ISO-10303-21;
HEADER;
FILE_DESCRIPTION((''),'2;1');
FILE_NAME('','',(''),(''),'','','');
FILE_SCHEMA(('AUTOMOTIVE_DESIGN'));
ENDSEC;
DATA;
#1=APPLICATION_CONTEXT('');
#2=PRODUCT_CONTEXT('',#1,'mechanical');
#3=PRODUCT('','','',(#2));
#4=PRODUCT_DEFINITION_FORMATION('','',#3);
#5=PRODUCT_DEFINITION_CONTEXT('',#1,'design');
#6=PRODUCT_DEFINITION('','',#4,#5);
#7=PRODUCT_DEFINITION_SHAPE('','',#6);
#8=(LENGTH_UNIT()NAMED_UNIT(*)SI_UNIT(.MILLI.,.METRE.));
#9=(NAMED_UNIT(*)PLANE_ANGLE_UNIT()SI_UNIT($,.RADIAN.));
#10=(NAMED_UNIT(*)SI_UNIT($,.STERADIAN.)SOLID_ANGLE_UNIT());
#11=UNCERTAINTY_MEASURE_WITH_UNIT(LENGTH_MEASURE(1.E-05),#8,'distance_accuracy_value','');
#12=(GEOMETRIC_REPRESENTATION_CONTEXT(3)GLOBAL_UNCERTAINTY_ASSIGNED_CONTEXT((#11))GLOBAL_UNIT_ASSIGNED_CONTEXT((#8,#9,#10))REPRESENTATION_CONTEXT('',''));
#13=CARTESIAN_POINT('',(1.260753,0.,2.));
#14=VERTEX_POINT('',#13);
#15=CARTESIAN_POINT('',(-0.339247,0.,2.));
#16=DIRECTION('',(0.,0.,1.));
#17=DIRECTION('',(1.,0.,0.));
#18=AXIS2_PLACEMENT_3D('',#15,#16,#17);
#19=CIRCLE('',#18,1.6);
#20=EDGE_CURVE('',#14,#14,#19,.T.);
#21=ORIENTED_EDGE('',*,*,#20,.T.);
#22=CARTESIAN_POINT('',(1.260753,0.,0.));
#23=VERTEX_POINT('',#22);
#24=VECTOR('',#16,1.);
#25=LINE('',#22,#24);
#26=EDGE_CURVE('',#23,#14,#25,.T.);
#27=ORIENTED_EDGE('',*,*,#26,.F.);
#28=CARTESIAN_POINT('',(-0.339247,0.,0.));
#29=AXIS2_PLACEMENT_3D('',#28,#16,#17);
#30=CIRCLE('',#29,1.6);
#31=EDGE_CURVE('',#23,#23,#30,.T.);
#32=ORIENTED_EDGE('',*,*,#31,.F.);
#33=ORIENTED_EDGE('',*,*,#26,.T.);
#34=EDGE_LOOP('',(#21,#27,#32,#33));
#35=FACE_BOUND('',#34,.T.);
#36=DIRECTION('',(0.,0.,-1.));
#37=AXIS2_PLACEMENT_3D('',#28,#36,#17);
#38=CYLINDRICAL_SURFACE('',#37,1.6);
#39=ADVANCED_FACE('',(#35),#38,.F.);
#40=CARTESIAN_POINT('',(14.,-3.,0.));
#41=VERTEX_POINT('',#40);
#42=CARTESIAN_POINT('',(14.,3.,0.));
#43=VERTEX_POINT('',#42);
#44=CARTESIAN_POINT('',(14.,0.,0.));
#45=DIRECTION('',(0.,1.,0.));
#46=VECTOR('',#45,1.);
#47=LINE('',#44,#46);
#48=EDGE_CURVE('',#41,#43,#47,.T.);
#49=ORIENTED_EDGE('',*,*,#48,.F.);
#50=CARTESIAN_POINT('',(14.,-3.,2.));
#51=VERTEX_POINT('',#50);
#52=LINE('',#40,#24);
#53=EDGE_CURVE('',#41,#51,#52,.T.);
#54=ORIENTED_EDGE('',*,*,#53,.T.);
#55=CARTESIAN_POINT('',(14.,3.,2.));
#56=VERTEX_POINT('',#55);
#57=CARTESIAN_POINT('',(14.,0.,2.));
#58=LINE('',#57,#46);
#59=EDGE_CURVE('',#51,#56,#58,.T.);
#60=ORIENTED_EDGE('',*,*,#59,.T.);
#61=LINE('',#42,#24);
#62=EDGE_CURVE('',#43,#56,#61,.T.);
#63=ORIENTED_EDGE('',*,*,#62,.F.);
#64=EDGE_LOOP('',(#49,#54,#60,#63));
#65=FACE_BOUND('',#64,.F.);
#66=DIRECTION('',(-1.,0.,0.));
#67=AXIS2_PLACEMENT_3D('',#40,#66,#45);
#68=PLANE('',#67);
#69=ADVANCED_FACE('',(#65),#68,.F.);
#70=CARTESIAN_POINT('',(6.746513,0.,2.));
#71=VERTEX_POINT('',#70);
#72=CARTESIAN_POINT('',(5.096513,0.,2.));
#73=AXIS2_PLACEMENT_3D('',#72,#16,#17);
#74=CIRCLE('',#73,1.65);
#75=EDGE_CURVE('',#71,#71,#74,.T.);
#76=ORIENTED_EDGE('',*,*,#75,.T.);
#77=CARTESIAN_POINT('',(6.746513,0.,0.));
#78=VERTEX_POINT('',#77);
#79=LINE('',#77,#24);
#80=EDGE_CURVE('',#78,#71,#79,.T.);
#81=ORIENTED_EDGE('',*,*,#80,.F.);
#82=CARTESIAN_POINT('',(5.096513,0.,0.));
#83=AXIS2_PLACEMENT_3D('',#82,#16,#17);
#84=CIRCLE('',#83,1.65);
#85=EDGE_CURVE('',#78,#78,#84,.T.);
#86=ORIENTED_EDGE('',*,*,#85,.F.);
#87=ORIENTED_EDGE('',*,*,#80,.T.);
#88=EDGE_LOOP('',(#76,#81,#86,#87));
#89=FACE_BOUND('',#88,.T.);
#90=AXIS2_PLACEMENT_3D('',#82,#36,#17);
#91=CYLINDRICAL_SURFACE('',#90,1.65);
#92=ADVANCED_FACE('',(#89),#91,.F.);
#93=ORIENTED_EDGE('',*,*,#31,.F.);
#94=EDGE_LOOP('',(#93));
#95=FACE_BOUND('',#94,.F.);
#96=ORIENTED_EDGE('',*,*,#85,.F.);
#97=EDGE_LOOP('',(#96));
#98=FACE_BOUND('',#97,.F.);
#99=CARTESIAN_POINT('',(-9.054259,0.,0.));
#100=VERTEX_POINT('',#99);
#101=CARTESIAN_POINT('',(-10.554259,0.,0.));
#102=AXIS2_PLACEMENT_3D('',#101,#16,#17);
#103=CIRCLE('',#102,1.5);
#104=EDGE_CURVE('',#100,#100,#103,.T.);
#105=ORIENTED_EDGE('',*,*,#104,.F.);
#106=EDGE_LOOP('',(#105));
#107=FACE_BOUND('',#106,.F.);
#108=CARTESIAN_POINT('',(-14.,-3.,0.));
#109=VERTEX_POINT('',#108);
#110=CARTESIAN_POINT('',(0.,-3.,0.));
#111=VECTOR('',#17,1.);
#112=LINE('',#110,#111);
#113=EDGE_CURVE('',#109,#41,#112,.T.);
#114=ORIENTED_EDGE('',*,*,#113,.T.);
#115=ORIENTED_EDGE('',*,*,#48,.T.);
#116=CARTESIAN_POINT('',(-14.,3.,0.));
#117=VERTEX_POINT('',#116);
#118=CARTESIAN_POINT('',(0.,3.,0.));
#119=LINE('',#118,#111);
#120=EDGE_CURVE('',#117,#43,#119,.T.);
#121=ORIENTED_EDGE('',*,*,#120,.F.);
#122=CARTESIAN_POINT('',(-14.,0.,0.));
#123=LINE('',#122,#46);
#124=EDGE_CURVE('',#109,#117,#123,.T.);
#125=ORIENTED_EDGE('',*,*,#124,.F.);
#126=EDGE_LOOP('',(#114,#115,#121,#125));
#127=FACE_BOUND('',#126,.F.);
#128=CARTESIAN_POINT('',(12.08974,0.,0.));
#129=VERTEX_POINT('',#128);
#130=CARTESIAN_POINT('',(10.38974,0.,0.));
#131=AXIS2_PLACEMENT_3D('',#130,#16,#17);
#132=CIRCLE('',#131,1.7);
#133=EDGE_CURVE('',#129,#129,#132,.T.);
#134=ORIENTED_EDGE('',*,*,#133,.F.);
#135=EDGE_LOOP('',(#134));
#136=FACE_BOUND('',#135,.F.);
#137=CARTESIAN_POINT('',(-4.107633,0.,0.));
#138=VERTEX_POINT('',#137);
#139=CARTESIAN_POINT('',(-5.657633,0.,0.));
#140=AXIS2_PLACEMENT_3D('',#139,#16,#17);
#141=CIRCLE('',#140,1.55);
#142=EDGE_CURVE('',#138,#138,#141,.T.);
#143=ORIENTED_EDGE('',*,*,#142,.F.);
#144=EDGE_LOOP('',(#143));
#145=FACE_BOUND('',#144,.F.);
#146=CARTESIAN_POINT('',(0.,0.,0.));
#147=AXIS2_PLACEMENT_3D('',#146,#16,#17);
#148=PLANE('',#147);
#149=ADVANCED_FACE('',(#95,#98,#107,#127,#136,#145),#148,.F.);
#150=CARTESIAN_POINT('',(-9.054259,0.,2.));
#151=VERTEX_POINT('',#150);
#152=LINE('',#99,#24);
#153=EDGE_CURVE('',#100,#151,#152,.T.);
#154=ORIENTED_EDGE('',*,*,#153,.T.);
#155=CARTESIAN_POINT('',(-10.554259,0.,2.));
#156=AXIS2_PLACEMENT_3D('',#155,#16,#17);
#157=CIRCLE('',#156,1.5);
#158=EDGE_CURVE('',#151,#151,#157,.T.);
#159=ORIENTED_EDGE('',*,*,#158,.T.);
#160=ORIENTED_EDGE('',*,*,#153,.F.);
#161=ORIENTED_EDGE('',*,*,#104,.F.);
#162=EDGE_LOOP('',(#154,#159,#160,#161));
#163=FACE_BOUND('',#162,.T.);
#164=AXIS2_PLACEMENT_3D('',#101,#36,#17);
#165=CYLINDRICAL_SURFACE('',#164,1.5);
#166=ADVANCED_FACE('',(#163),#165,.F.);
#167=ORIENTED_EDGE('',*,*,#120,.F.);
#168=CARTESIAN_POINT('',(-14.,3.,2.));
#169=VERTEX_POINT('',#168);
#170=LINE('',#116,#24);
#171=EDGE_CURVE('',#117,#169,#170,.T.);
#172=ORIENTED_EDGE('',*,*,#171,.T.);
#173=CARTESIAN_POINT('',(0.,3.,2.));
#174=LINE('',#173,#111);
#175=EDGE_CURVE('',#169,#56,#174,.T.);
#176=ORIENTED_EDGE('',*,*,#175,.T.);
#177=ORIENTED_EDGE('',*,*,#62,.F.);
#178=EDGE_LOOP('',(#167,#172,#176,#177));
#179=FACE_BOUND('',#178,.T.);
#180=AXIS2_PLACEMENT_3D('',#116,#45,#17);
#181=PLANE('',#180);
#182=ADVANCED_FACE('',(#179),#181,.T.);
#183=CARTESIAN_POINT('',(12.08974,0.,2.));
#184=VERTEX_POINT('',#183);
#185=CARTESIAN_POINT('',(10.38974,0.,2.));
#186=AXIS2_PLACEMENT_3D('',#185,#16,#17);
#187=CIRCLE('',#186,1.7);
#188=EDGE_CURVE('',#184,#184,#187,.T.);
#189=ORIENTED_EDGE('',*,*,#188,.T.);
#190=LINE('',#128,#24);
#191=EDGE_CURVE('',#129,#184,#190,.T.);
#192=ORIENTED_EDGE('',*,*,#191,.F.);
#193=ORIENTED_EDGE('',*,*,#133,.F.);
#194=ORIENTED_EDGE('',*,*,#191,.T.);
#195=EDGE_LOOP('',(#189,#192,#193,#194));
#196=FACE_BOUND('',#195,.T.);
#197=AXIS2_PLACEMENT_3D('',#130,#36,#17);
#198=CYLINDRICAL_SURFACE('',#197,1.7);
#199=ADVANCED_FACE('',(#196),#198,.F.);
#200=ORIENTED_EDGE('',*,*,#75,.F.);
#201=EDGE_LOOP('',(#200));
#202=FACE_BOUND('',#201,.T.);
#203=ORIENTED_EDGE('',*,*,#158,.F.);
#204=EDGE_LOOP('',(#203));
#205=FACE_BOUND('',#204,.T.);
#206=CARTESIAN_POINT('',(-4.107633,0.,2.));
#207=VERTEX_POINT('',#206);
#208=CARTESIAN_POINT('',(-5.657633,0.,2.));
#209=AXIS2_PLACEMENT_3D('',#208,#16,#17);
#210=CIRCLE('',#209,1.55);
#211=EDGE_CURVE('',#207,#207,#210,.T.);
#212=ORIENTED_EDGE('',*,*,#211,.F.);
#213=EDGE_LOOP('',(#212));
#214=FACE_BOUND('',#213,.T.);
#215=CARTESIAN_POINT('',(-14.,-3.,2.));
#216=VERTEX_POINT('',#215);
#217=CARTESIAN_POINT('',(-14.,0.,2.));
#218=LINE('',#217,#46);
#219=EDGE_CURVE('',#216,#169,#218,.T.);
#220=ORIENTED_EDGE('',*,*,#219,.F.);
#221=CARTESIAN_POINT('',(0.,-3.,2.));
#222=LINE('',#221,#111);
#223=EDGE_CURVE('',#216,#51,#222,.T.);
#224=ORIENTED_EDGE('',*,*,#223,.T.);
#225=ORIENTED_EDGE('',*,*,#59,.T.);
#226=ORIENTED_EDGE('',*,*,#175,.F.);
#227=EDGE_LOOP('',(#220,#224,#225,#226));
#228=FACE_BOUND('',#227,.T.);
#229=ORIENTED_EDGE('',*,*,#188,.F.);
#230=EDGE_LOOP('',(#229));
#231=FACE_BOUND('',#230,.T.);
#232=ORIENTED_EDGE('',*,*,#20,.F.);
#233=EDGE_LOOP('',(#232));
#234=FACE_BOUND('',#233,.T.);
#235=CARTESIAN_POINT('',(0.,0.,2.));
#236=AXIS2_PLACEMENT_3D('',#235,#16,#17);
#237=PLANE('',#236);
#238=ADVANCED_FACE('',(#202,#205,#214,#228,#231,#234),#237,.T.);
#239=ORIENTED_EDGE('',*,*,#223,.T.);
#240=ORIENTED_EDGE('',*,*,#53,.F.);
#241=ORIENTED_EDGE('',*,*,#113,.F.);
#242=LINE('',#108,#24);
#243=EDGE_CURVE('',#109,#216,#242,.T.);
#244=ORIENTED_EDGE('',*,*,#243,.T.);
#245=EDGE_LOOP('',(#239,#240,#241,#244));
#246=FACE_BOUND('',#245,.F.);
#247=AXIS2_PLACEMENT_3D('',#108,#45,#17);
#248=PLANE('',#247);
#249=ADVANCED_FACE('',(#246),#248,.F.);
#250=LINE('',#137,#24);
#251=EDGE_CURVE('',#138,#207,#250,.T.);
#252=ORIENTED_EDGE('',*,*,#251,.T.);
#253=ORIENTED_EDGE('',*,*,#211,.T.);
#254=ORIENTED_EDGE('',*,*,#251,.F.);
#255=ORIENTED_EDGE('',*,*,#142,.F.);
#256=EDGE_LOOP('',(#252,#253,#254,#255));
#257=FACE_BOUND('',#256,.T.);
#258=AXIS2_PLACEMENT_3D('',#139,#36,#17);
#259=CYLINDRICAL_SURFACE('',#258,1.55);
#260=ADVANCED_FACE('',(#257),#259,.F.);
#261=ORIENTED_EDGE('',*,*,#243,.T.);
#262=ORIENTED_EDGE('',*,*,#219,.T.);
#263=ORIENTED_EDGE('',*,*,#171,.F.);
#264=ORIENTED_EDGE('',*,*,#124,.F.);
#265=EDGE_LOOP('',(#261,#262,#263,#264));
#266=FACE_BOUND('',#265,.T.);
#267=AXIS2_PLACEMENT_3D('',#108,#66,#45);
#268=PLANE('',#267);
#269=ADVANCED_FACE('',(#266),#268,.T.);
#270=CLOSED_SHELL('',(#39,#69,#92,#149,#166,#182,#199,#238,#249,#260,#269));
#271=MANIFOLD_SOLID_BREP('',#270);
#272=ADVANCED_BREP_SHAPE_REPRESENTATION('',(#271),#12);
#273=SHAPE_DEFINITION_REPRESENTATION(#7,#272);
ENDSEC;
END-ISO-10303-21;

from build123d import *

# Parameters (mm, degrees)
F0_W     = 28
F0_H     = 6
F0_R     = 1.5
F0_R_2   = 1.55
F0_R_3   = 1.6
F0_R_4   = 1.65
F0_R_5   = 1.7
F1_DEPTH = 2


with BuildPart() as f1:
    # F0 (on Top) → F1 (new body)
    with BuildSketch(Plane.XY):
        Rectangle(F0_W, F0_H)
        with Locations((-10.554259, 0)):
            Circle(F0_R, mode=Mode.SUBTRACT)
        with Locations((-5.657633, 0)):
            Circle(F0_R_2, mode=Mode.SUBTRACT)
        with Locations((-0.339247, 0)):
            Circle(F0_R_3, mode=Mode.SUBTRACT)
        with Locations((5.096513, 0)):
            Circle(F0_R_4, mode=Mode.SUBTRACT)
        with Locations((10.38974, 0)):
            Circle(F0_R_5, mode=Mode.SUBTRACT)
    extrude(amount=F1_DEPTH)


solid = f1.part
